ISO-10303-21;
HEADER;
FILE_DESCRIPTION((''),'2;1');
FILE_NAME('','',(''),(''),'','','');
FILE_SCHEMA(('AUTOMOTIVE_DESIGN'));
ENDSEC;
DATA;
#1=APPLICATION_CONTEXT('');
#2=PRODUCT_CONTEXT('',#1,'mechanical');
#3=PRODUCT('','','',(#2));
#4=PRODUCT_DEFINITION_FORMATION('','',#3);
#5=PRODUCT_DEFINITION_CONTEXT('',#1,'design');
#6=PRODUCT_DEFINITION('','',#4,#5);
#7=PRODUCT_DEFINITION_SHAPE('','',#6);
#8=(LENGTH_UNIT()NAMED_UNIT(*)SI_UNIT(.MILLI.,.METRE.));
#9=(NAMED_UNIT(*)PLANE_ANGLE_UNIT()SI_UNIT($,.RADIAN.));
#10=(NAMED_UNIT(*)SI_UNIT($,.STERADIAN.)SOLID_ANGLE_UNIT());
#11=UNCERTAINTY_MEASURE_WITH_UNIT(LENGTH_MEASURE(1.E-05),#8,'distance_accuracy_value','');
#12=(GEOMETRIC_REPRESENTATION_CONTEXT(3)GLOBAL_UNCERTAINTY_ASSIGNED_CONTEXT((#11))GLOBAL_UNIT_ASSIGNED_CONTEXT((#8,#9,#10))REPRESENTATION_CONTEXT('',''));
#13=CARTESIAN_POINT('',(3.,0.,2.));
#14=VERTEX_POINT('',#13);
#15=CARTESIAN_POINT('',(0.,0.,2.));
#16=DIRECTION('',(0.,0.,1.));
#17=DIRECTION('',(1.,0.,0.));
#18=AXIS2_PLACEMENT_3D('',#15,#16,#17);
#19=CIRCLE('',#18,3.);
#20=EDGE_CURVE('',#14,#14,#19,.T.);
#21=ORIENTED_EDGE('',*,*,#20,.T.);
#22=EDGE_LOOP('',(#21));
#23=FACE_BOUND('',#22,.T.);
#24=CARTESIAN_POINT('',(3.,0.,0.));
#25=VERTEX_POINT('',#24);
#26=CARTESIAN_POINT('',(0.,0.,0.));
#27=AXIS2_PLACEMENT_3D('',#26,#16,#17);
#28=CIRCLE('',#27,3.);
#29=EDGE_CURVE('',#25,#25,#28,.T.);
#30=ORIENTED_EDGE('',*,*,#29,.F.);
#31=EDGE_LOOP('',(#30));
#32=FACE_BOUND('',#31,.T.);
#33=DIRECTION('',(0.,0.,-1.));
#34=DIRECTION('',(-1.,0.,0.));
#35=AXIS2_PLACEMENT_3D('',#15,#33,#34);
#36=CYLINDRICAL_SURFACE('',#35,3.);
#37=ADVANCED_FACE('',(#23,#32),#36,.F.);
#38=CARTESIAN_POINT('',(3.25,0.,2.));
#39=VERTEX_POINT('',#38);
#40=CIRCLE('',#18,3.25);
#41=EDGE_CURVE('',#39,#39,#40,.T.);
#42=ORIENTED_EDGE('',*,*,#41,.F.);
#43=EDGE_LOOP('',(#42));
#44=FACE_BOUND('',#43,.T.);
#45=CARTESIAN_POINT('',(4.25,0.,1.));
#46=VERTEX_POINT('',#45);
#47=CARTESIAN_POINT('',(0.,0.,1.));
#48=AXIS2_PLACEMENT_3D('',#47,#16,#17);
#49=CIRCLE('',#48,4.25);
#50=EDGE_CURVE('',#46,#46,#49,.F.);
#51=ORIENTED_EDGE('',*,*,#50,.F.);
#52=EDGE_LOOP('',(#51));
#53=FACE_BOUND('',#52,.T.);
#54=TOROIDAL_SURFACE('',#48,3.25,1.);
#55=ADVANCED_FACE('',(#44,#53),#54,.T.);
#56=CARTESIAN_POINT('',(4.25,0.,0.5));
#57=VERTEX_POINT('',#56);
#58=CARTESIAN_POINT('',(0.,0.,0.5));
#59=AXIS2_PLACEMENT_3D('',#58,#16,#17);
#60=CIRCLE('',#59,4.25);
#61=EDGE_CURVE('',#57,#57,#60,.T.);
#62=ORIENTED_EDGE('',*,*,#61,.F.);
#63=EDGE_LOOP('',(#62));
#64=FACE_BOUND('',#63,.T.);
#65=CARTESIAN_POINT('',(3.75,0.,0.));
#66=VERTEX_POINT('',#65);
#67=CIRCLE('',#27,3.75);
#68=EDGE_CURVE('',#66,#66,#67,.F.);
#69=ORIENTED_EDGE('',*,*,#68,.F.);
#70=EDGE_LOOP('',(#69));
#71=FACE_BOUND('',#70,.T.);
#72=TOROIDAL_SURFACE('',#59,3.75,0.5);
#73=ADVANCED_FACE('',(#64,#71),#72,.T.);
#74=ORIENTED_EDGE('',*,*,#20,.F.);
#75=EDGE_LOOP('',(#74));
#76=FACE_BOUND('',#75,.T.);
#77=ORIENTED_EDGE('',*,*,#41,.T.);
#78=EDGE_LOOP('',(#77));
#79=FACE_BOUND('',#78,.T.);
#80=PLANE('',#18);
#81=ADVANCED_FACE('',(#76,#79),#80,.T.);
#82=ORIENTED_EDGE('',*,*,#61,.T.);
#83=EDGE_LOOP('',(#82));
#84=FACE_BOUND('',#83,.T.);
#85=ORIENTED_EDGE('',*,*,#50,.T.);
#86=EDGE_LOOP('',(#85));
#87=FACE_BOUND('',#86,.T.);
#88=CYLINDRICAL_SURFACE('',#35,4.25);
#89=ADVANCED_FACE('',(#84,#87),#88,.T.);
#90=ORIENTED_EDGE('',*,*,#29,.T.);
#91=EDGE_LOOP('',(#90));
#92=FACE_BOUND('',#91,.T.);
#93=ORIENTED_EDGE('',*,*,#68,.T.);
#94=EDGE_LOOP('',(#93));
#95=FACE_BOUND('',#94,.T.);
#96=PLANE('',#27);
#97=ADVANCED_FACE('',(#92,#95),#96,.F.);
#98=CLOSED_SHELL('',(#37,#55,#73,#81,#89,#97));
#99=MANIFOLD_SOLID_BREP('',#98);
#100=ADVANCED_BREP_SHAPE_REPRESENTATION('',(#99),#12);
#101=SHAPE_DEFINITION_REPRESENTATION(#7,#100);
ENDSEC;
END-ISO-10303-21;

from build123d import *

# Parameters (mm, degrees)
SKETCH1_R           = 4.25
SKETCH1_R_2         = 3
BOSS_EXTRUDE2_DEPTH = 2
FILLET3_R           = 1
FILLET4_R           = 0.5


with BuildPart() as part:
    # Sketch1 → Boss-Extrude2 (new body)
    with BuildSketch(Plane.XY):
        Circle(SKETCH1_R)
        Circle(SKETCH1_R_2, mode=Mode.SUBTRACT)
    extrude(amount=BOSS_EXTRUDE2_DEPTH)

    # Fillet3
    fillet3_edges = [part.edges().sort_by_distance(p)[0] for p in [
        (-4.25, 0, 2),
    ]]
    fillet(fillet3_edges, radius=FILLET3_R)

    # Fillet4
    fillet4_edges = [part.edges().sort_by_distance(p)[0] for p in [
        (-4.25, 0, 0),
    ]]
    fillet(fillet4_edges, radius=FILLET4_R)


solid = part.part
